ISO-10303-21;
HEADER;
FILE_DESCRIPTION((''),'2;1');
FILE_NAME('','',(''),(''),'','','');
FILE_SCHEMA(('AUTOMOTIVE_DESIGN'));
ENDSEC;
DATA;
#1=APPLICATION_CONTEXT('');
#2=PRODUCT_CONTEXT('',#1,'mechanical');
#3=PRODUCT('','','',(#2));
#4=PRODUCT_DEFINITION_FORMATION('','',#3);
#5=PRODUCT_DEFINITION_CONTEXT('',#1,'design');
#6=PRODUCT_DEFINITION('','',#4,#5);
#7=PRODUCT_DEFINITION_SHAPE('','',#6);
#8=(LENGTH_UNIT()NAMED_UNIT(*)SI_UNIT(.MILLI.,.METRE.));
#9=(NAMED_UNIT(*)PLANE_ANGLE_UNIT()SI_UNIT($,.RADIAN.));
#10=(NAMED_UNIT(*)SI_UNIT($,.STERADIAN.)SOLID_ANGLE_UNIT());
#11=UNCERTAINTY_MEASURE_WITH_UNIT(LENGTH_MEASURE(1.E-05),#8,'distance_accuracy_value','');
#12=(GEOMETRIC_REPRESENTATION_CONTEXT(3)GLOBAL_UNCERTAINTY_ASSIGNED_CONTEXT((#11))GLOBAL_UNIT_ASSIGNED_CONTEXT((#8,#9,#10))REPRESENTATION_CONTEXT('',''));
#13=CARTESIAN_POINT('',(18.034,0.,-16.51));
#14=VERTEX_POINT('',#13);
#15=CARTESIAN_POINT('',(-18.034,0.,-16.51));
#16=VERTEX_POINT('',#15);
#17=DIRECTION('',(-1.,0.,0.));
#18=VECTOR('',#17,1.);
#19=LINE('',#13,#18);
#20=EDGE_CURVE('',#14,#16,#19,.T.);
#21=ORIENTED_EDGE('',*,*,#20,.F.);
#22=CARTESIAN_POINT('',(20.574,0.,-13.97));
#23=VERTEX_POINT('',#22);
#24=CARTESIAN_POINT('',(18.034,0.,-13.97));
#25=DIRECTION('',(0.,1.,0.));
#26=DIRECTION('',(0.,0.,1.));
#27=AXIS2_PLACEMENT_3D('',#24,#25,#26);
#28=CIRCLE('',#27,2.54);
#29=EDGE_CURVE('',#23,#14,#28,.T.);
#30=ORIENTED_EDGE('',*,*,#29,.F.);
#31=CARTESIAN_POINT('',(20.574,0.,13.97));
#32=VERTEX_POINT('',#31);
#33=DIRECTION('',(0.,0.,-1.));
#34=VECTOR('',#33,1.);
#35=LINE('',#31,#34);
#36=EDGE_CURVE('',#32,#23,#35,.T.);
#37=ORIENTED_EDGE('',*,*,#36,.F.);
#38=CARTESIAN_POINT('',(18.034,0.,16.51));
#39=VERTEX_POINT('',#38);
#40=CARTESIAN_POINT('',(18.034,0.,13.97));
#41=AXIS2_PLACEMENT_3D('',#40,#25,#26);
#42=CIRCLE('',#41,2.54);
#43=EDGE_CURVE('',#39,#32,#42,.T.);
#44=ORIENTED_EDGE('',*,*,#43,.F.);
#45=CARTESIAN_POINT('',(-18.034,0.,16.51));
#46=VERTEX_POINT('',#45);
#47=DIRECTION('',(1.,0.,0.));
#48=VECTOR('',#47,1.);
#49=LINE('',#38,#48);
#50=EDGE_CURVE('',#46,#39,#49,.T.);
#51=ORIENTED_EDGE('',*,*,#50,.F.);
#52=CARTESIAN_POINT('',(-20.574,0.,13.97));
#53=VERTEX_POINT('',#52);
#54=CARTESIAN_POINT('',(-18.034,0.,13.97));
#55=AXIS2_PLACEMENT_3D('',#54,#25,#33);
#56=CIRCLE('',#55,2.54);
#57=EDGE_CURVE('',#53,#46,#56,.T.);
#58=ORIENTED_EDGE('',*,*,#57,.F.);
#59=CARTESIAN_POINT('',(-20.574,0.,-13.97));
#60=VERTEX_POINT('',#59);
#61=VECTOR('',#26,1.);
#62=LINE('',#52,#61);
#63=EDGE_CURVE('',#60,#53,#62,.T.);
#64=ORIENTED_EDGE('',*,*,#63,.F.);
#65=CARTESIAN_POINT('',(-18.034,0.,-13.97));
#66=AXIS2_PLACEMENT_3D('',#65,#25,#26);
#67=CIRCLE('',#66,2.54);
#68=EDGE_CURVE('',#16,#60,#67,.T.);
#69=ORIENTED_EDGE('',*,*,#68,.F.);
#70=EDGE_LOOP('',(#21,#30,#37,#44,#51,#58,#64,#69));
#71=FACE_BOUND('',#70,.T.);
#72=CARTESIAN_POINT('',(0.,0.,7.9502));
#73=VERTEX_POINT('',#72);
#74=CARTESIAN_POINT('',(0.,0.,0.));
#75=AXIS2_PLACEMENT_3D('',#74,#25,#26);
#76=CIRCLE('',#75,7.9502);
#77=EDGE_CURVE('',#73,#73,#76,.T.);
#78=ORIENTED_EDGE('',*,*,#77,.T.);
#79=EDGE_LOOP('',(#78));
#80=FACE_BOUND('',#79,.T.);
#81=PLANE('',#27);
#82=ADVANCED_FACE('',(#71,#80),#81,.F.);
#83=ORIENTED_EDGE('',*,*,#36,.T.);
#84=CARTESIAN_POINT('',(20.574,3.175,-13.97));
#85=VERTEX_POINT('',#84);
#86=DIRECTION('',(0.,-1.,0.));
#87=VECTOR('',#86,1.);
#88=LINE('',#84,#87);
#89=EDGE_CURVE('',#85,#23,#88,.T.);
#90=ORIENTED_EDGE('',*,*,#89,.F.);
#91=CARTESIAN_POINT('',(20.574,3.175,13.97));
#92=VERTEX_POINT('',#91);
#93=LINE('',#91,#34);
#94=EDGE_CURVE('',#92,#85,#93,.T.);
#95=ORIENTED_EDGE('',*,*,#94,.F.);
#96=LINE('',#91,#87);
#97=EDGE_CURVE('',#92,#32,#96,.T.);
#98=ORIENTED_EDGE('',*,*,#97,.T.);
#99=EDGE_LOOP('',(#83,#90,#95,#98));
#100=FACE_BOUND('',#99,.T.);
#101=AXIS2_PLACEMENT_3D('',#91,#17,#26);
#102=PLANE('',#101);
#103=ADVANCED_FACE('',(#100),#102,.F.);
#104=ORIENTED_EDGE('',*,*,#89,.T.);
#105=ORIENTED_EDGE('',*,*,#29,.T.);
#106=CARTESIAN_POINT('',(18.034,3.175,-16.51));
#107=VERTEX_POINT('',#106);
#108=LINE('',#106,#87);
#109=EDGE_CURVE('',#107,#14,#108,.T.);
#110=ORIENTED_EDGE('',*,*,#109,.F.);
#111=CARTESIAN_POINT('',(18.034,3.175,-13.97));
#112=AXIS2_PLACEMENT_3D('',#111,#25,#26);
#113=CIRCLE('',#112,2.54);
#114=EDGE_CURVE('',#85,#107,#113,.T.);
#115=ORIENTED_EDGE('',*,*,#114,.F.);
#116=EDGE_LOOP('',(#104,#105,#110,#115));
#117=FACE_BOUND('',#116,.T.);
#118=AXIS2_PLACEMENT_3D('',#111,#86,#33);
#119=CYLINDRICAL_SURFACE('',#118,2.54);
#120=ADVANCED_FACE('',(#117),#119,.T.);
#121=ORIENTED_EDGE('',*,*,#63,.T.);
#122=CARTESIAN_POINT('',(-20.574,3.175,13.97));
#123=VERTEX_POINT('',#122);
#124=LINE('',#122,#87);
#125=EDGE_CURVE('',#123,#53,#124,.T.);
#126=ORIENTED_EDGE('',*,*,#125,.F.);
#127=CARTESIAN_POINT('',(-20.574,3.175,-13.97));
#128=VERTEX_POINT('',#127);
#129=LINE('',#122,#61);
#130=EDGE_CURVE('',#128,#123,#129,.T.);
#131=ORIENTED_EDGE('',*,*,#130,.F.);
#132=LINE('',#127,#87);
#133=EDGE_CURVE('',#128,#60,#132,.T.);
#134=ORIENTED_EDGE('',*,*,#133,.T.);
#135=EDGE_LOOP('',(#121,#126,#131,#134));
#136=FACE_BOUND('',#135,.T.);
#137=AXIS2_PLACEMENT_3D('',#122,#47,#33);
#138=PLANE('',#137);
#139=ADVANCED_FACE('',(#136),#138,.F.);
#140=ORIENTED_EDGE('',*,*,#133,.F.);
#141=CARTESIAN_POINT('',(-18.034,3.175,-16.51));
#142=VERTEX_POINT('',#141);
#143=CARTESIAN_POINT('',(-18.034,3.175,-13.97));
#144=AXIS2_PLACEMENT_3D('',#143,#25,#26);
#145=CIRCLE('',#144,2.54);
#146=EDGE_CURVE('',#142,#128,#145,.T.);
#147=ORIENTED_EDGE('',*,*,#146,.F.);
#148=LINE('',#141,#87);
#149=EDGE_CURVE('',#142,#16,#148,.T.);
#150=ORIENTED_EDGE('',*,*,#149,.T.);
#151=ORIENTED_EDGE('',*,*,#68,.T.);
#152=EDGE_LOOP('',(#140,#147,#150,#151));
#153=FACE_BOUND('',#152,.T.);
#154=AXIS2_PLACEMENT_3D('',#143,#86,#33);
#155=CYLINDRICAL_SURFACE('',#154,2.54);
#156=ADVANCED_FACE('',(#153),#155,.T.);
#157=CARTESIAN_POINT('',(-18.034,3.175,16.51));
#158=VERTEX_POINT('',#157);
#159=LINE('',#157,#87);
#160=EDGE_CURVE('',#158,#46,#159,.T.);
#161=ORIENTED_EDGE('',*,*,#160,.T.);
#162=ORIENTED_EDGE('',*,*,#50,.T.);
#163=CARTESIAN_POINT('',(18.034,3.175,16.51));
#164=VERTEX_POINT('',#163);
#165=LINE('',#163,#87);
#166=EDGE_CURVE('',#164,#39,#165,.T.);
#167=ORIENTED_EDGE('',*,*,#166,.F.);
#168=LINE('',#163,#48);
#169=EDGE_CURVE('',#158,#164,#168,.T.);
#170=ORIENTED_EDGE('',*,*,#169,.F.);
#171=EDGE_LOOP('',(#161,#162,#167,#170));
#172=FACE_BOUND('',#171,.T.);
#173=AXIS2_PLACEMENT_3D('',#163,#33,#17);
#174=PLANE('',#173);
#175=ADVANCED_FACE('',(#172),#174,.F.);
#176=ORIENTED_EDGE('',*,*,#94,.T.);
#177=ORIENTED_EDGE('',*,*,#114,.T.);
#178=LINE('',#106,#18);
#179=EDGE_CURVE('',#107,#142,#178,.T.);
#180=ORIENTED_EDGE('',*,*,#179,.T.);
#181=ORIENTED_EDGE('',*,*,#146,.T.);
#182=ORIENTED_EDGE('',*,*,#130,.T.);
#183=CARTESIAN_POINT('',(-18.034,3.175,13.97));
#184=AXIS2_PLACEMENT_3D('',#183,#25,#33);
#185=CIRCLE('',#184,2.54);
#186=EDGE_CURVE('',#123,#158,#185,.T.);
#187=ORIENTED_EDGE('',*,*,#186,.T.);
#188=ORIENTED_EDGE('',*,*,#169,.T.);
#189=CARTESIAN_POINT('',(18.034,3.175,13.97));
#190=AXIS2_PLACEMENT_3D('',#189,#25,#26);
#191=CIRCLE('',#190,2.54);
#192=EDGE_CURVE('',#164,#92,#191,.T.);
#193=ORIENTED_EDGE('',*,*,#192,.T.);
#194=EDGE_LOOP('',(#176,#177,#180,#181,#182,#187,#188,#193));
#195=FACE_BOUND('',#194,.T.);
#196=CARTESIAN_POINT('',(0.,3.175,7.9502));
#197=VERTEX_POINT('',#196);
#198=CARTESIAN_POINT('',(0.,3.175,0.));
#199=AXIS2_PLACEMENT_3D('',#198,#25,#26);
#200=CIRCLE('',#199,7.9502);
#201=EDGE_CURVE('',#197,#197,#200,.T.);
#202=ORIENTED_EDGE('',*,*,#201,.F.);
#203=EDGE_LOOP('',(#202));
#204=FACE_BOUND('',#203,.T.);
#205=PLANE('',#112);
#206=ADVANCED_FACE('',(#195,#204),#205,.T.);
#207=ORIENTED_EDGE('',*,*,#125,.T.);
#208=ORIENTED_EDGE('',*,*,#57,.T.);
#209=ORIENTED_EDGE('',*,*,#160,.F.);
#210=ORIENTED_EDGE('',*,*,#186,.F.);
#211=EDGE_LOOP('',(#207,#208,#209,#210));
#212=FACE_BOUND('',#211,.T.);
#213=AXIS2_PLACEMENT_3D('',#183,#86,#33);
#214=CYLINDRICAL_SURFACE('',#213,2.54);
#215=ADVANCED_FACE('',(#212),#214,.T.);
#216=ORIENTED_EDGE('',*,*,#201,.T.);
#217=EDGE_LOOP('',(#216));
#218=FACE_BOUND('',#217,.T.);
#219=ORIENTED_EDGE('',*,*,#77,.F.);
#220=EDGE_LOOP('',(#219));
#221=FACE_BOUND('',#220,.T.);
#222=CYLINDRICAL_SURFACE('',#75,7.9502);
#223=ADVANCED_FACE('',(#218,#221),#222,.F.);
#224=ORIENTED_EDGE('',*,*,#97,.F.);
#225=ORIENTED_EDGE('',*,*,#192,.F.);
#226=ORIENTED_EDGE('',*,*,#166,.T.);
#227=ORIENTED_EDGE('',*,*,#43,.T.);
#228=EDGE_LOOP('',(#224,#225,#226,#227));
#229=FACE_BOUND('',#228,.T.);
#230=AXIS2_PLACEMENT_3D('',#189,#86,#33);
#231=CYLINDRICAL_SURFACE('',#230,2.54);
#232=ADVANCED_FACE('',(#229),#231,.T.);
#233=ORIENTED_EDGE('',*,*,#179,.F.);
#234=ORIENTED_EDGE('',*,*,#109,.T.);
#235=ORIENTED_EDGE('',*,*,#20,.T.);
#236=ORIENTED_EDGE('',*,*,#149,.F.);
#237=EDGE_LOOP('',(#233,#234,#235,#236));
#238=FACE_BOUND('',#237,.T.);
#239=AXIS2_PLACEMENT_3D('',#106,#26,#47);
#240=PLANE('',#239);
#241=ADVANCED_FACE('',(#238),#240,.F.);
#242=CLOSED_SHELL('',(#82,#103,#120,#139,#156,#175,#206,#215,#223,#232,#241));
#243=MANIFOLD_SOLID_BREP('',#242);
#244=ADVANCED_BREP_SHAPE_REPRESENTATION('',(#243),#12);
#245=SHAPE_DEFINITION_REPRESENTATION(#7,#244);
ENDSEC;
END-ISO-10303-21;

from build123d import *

# Parameters (mm, degrees)
BOSS_EXTRUDE1_DEPTH = 3.175
SKETCH2_R           = 7.9502
CUT_EXTRUDE1_DEPTH  = 4.175


with BuildPart() as part:
    # Sketch1 → Boss-Extrude1 (new body)
    with BuildSketch(Plane(origin=(0, 0, 0), x_dir=(1, 0, 0), z_dir=(0, 1, 0))):
        with BuildLine():
            Line((18.034, -16.51), (-18.034, -16.51))
            ThreePointArc((-18.034, -16.51), (-19.830051224, -15.766051224), (-20.574, -13.97))
            Line((-20.574, -13.97), (-20.574, 13.97))
            ThreePointArc((-20.574, 13.97), (-19.830051224, 15.766051224), (-18.034, 16.51))
            Line((-18.034, 16.51), (18.034, 16.51))
            ThreePointArc((18.034, 16.51), (19.830051224, 15.766051224), (20.574, 13.97))
            Line((20.574, 13.97), (20.574, -13.97))
            ThreePointArc((20.574, -13.97), (19.830051224, -15.766051224), (18.034, -16.51))
        make_face()
    extrude(amount=BOSS_EXTRUDE1_DEPTH)

    # Sketch2 → Cut-Extrude1 (cut, through all)
    with BuildSketch(Plane(origin=(0, 3.175, 0), x_dir=(1, 0, 0), z_dir=(0, 1, 0))):
        Circle(SKETCH2_R)
    extrude(amount=-CUT_EXTRUDE1_DEPTH, mode=Mode.SUBTRACT)


solid = part.part
